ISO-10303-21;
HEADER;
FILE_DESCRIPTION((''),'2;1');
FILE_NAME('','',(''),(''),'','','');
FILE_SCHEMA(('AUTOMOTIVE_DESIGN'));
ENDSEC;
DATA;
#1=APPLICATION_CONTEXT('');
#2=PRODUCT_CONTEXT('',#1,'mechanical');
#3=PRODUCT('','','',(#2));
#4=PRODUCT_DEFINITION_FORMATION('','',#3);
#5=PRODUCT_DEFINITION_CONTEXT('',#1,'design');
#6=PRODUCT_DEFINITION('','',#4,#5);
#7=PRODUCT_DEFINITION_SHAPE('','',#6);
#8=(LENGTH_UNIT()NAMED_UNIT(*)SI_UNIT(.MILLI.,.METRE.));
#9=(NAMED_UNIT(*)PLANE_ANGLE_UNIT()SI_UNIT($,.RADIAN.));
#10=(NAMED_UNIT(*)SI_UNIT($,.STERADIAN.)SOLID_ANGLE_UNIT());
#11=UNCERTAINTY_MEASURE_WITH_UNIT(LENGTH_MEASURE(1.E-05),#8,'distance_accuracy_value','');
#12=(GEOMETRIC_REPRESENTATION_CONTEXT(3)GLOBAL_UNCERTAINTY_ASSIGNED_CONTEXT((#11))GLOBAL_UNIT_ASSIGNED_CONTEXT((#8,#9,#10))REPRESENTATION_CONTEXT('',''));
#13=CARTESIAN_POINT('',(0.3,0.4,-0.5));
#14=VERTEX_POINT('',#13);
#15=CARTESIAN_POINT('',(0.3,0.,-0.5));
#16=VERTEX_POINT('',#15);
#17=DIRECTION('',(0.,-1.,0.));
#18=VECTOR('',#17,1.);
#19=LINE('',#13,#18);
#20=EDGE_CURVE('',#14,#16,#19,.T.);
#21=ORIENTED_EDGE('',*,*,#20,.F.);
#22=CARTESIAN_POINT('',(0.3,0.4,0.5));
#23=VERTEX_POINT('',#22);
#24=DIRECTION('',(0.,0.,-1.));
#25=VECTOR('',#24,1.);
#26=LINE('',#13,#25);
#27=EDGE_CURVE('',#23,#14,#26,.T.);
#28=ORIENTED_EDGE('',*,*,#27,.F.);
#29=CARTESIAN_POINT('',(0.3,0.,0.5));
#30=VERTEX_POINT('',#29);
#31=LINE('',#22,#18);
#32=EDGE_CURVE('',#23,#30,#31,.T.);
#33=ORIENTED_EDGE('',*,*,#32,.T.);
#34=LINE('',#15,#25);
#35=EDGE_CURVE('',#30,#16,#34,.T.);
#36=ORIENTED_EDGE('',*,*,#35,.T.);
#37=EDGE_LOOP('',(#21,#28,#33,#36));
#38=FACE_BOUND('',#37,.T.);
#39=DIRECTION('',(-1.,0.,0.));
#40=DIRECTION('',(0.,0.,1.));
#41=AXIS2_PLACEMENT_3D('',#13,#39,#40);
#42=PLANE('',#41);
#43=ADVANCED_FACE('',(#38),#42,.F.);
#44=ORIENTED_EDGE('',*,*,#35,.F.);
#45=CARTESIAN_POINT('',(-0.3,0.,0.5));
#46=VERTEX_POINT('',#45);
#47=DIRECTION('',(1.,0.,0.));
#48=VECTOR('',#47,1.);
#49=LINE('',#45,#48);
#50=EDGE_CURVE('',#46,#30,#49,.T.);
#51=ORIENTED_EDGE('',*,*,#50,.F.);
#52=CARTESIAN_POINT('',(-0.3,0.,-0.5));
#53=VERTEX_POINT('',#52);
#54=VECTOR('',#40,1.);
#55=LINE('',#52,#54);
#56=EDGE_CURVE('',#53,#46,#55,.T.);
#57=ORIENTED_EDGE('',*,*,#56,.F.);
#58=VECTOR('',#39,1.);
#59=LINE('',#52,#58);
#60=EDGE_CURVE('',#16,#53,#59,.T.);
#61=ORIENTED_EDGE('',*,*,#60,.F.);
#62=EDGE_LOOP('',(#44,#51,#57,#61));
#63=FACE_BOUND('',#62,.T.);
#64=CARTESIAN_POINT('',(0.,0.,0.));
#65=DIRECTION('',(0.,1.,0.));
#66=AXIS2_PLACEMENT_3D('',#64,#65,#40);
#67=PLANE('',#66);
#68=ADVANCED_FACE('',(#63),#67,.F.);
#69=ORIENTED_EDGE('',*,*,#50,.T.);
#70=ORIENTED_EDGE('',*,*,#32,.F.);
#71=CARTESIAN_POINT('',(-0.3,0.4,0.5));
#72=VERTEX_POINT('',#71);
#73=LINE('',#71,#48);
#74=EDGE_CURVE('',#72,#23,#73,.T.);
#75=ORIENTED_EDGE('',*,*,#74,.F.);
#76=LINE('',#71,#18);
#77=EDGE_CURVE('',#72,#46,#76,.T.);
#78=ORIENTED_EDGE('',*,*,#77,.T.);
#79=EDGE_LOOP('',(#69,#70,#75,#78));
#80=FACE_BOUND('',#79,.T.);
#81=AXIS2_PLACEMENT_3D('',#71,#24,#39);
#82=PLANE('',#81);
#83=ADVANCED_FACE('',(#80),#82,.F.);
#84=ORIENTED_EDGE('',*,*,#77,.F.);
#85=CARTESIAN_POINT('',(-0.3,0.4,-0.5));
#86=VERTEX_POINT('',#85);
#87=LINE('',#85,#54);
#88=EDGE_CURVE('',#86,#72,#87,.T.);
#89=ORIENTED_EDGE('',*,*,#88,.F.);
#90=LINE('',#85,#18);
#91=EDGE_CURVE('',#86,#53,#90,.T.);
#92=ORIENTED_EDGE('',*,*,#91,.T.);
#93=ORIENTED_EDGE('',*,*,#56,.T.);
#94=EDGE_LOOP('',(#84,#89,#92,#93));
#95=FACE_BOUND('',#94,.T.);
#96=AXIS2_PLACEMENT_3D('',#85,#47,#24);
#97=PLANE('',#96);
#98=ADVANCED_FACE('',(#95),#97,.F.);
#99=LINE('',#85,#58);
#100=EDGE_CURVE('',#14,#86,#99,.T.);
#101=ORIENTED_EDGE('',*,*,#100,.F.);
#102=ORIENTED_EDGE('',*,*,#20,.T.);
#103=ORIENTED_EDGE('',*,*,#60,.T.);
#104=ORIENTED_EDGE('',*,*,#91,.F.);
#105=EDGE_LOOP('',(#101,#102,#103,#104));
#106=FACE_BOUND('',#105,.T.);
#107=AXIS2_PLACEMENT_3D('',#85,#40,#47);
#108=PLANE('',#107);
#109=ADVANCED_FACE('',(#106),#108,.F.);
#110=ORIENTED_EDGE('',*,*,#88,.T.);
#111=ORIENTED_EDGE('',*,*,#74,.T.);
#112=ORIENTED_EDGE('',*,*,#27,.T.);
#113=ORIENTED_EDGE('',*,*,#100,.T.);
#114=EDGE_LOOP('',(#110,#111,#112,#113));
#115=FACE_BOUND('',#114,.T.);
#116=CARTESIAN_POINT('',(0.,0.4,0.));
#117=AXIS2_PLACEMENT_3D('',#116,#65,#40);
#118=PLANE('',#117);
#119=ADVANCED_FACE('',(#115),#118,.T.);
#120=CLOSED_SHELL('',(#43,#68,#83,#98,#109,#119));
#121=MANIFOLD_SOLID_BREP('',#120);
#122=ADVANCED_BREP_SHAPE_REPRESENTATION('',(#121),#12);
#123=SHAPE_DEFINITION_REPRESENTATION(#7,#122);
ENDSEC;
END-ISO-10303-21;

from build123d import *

# Parameters (mm, degrees)
BASES_W    = 0.6
BASES_H    = 1
BASE_DEPTH = 0.4


with BuildPart() as part:
    # BaseS → Base (new body)
    with BuildSketch(Plane(origin=(0, 0, 0), x_dir=(1, 0, 0), z_dir=(0, 1, 0))):
        Rectangle(BASES_W, BASES_H)
    extrude(amount=BASE_DEPTH)


solid = part.part
